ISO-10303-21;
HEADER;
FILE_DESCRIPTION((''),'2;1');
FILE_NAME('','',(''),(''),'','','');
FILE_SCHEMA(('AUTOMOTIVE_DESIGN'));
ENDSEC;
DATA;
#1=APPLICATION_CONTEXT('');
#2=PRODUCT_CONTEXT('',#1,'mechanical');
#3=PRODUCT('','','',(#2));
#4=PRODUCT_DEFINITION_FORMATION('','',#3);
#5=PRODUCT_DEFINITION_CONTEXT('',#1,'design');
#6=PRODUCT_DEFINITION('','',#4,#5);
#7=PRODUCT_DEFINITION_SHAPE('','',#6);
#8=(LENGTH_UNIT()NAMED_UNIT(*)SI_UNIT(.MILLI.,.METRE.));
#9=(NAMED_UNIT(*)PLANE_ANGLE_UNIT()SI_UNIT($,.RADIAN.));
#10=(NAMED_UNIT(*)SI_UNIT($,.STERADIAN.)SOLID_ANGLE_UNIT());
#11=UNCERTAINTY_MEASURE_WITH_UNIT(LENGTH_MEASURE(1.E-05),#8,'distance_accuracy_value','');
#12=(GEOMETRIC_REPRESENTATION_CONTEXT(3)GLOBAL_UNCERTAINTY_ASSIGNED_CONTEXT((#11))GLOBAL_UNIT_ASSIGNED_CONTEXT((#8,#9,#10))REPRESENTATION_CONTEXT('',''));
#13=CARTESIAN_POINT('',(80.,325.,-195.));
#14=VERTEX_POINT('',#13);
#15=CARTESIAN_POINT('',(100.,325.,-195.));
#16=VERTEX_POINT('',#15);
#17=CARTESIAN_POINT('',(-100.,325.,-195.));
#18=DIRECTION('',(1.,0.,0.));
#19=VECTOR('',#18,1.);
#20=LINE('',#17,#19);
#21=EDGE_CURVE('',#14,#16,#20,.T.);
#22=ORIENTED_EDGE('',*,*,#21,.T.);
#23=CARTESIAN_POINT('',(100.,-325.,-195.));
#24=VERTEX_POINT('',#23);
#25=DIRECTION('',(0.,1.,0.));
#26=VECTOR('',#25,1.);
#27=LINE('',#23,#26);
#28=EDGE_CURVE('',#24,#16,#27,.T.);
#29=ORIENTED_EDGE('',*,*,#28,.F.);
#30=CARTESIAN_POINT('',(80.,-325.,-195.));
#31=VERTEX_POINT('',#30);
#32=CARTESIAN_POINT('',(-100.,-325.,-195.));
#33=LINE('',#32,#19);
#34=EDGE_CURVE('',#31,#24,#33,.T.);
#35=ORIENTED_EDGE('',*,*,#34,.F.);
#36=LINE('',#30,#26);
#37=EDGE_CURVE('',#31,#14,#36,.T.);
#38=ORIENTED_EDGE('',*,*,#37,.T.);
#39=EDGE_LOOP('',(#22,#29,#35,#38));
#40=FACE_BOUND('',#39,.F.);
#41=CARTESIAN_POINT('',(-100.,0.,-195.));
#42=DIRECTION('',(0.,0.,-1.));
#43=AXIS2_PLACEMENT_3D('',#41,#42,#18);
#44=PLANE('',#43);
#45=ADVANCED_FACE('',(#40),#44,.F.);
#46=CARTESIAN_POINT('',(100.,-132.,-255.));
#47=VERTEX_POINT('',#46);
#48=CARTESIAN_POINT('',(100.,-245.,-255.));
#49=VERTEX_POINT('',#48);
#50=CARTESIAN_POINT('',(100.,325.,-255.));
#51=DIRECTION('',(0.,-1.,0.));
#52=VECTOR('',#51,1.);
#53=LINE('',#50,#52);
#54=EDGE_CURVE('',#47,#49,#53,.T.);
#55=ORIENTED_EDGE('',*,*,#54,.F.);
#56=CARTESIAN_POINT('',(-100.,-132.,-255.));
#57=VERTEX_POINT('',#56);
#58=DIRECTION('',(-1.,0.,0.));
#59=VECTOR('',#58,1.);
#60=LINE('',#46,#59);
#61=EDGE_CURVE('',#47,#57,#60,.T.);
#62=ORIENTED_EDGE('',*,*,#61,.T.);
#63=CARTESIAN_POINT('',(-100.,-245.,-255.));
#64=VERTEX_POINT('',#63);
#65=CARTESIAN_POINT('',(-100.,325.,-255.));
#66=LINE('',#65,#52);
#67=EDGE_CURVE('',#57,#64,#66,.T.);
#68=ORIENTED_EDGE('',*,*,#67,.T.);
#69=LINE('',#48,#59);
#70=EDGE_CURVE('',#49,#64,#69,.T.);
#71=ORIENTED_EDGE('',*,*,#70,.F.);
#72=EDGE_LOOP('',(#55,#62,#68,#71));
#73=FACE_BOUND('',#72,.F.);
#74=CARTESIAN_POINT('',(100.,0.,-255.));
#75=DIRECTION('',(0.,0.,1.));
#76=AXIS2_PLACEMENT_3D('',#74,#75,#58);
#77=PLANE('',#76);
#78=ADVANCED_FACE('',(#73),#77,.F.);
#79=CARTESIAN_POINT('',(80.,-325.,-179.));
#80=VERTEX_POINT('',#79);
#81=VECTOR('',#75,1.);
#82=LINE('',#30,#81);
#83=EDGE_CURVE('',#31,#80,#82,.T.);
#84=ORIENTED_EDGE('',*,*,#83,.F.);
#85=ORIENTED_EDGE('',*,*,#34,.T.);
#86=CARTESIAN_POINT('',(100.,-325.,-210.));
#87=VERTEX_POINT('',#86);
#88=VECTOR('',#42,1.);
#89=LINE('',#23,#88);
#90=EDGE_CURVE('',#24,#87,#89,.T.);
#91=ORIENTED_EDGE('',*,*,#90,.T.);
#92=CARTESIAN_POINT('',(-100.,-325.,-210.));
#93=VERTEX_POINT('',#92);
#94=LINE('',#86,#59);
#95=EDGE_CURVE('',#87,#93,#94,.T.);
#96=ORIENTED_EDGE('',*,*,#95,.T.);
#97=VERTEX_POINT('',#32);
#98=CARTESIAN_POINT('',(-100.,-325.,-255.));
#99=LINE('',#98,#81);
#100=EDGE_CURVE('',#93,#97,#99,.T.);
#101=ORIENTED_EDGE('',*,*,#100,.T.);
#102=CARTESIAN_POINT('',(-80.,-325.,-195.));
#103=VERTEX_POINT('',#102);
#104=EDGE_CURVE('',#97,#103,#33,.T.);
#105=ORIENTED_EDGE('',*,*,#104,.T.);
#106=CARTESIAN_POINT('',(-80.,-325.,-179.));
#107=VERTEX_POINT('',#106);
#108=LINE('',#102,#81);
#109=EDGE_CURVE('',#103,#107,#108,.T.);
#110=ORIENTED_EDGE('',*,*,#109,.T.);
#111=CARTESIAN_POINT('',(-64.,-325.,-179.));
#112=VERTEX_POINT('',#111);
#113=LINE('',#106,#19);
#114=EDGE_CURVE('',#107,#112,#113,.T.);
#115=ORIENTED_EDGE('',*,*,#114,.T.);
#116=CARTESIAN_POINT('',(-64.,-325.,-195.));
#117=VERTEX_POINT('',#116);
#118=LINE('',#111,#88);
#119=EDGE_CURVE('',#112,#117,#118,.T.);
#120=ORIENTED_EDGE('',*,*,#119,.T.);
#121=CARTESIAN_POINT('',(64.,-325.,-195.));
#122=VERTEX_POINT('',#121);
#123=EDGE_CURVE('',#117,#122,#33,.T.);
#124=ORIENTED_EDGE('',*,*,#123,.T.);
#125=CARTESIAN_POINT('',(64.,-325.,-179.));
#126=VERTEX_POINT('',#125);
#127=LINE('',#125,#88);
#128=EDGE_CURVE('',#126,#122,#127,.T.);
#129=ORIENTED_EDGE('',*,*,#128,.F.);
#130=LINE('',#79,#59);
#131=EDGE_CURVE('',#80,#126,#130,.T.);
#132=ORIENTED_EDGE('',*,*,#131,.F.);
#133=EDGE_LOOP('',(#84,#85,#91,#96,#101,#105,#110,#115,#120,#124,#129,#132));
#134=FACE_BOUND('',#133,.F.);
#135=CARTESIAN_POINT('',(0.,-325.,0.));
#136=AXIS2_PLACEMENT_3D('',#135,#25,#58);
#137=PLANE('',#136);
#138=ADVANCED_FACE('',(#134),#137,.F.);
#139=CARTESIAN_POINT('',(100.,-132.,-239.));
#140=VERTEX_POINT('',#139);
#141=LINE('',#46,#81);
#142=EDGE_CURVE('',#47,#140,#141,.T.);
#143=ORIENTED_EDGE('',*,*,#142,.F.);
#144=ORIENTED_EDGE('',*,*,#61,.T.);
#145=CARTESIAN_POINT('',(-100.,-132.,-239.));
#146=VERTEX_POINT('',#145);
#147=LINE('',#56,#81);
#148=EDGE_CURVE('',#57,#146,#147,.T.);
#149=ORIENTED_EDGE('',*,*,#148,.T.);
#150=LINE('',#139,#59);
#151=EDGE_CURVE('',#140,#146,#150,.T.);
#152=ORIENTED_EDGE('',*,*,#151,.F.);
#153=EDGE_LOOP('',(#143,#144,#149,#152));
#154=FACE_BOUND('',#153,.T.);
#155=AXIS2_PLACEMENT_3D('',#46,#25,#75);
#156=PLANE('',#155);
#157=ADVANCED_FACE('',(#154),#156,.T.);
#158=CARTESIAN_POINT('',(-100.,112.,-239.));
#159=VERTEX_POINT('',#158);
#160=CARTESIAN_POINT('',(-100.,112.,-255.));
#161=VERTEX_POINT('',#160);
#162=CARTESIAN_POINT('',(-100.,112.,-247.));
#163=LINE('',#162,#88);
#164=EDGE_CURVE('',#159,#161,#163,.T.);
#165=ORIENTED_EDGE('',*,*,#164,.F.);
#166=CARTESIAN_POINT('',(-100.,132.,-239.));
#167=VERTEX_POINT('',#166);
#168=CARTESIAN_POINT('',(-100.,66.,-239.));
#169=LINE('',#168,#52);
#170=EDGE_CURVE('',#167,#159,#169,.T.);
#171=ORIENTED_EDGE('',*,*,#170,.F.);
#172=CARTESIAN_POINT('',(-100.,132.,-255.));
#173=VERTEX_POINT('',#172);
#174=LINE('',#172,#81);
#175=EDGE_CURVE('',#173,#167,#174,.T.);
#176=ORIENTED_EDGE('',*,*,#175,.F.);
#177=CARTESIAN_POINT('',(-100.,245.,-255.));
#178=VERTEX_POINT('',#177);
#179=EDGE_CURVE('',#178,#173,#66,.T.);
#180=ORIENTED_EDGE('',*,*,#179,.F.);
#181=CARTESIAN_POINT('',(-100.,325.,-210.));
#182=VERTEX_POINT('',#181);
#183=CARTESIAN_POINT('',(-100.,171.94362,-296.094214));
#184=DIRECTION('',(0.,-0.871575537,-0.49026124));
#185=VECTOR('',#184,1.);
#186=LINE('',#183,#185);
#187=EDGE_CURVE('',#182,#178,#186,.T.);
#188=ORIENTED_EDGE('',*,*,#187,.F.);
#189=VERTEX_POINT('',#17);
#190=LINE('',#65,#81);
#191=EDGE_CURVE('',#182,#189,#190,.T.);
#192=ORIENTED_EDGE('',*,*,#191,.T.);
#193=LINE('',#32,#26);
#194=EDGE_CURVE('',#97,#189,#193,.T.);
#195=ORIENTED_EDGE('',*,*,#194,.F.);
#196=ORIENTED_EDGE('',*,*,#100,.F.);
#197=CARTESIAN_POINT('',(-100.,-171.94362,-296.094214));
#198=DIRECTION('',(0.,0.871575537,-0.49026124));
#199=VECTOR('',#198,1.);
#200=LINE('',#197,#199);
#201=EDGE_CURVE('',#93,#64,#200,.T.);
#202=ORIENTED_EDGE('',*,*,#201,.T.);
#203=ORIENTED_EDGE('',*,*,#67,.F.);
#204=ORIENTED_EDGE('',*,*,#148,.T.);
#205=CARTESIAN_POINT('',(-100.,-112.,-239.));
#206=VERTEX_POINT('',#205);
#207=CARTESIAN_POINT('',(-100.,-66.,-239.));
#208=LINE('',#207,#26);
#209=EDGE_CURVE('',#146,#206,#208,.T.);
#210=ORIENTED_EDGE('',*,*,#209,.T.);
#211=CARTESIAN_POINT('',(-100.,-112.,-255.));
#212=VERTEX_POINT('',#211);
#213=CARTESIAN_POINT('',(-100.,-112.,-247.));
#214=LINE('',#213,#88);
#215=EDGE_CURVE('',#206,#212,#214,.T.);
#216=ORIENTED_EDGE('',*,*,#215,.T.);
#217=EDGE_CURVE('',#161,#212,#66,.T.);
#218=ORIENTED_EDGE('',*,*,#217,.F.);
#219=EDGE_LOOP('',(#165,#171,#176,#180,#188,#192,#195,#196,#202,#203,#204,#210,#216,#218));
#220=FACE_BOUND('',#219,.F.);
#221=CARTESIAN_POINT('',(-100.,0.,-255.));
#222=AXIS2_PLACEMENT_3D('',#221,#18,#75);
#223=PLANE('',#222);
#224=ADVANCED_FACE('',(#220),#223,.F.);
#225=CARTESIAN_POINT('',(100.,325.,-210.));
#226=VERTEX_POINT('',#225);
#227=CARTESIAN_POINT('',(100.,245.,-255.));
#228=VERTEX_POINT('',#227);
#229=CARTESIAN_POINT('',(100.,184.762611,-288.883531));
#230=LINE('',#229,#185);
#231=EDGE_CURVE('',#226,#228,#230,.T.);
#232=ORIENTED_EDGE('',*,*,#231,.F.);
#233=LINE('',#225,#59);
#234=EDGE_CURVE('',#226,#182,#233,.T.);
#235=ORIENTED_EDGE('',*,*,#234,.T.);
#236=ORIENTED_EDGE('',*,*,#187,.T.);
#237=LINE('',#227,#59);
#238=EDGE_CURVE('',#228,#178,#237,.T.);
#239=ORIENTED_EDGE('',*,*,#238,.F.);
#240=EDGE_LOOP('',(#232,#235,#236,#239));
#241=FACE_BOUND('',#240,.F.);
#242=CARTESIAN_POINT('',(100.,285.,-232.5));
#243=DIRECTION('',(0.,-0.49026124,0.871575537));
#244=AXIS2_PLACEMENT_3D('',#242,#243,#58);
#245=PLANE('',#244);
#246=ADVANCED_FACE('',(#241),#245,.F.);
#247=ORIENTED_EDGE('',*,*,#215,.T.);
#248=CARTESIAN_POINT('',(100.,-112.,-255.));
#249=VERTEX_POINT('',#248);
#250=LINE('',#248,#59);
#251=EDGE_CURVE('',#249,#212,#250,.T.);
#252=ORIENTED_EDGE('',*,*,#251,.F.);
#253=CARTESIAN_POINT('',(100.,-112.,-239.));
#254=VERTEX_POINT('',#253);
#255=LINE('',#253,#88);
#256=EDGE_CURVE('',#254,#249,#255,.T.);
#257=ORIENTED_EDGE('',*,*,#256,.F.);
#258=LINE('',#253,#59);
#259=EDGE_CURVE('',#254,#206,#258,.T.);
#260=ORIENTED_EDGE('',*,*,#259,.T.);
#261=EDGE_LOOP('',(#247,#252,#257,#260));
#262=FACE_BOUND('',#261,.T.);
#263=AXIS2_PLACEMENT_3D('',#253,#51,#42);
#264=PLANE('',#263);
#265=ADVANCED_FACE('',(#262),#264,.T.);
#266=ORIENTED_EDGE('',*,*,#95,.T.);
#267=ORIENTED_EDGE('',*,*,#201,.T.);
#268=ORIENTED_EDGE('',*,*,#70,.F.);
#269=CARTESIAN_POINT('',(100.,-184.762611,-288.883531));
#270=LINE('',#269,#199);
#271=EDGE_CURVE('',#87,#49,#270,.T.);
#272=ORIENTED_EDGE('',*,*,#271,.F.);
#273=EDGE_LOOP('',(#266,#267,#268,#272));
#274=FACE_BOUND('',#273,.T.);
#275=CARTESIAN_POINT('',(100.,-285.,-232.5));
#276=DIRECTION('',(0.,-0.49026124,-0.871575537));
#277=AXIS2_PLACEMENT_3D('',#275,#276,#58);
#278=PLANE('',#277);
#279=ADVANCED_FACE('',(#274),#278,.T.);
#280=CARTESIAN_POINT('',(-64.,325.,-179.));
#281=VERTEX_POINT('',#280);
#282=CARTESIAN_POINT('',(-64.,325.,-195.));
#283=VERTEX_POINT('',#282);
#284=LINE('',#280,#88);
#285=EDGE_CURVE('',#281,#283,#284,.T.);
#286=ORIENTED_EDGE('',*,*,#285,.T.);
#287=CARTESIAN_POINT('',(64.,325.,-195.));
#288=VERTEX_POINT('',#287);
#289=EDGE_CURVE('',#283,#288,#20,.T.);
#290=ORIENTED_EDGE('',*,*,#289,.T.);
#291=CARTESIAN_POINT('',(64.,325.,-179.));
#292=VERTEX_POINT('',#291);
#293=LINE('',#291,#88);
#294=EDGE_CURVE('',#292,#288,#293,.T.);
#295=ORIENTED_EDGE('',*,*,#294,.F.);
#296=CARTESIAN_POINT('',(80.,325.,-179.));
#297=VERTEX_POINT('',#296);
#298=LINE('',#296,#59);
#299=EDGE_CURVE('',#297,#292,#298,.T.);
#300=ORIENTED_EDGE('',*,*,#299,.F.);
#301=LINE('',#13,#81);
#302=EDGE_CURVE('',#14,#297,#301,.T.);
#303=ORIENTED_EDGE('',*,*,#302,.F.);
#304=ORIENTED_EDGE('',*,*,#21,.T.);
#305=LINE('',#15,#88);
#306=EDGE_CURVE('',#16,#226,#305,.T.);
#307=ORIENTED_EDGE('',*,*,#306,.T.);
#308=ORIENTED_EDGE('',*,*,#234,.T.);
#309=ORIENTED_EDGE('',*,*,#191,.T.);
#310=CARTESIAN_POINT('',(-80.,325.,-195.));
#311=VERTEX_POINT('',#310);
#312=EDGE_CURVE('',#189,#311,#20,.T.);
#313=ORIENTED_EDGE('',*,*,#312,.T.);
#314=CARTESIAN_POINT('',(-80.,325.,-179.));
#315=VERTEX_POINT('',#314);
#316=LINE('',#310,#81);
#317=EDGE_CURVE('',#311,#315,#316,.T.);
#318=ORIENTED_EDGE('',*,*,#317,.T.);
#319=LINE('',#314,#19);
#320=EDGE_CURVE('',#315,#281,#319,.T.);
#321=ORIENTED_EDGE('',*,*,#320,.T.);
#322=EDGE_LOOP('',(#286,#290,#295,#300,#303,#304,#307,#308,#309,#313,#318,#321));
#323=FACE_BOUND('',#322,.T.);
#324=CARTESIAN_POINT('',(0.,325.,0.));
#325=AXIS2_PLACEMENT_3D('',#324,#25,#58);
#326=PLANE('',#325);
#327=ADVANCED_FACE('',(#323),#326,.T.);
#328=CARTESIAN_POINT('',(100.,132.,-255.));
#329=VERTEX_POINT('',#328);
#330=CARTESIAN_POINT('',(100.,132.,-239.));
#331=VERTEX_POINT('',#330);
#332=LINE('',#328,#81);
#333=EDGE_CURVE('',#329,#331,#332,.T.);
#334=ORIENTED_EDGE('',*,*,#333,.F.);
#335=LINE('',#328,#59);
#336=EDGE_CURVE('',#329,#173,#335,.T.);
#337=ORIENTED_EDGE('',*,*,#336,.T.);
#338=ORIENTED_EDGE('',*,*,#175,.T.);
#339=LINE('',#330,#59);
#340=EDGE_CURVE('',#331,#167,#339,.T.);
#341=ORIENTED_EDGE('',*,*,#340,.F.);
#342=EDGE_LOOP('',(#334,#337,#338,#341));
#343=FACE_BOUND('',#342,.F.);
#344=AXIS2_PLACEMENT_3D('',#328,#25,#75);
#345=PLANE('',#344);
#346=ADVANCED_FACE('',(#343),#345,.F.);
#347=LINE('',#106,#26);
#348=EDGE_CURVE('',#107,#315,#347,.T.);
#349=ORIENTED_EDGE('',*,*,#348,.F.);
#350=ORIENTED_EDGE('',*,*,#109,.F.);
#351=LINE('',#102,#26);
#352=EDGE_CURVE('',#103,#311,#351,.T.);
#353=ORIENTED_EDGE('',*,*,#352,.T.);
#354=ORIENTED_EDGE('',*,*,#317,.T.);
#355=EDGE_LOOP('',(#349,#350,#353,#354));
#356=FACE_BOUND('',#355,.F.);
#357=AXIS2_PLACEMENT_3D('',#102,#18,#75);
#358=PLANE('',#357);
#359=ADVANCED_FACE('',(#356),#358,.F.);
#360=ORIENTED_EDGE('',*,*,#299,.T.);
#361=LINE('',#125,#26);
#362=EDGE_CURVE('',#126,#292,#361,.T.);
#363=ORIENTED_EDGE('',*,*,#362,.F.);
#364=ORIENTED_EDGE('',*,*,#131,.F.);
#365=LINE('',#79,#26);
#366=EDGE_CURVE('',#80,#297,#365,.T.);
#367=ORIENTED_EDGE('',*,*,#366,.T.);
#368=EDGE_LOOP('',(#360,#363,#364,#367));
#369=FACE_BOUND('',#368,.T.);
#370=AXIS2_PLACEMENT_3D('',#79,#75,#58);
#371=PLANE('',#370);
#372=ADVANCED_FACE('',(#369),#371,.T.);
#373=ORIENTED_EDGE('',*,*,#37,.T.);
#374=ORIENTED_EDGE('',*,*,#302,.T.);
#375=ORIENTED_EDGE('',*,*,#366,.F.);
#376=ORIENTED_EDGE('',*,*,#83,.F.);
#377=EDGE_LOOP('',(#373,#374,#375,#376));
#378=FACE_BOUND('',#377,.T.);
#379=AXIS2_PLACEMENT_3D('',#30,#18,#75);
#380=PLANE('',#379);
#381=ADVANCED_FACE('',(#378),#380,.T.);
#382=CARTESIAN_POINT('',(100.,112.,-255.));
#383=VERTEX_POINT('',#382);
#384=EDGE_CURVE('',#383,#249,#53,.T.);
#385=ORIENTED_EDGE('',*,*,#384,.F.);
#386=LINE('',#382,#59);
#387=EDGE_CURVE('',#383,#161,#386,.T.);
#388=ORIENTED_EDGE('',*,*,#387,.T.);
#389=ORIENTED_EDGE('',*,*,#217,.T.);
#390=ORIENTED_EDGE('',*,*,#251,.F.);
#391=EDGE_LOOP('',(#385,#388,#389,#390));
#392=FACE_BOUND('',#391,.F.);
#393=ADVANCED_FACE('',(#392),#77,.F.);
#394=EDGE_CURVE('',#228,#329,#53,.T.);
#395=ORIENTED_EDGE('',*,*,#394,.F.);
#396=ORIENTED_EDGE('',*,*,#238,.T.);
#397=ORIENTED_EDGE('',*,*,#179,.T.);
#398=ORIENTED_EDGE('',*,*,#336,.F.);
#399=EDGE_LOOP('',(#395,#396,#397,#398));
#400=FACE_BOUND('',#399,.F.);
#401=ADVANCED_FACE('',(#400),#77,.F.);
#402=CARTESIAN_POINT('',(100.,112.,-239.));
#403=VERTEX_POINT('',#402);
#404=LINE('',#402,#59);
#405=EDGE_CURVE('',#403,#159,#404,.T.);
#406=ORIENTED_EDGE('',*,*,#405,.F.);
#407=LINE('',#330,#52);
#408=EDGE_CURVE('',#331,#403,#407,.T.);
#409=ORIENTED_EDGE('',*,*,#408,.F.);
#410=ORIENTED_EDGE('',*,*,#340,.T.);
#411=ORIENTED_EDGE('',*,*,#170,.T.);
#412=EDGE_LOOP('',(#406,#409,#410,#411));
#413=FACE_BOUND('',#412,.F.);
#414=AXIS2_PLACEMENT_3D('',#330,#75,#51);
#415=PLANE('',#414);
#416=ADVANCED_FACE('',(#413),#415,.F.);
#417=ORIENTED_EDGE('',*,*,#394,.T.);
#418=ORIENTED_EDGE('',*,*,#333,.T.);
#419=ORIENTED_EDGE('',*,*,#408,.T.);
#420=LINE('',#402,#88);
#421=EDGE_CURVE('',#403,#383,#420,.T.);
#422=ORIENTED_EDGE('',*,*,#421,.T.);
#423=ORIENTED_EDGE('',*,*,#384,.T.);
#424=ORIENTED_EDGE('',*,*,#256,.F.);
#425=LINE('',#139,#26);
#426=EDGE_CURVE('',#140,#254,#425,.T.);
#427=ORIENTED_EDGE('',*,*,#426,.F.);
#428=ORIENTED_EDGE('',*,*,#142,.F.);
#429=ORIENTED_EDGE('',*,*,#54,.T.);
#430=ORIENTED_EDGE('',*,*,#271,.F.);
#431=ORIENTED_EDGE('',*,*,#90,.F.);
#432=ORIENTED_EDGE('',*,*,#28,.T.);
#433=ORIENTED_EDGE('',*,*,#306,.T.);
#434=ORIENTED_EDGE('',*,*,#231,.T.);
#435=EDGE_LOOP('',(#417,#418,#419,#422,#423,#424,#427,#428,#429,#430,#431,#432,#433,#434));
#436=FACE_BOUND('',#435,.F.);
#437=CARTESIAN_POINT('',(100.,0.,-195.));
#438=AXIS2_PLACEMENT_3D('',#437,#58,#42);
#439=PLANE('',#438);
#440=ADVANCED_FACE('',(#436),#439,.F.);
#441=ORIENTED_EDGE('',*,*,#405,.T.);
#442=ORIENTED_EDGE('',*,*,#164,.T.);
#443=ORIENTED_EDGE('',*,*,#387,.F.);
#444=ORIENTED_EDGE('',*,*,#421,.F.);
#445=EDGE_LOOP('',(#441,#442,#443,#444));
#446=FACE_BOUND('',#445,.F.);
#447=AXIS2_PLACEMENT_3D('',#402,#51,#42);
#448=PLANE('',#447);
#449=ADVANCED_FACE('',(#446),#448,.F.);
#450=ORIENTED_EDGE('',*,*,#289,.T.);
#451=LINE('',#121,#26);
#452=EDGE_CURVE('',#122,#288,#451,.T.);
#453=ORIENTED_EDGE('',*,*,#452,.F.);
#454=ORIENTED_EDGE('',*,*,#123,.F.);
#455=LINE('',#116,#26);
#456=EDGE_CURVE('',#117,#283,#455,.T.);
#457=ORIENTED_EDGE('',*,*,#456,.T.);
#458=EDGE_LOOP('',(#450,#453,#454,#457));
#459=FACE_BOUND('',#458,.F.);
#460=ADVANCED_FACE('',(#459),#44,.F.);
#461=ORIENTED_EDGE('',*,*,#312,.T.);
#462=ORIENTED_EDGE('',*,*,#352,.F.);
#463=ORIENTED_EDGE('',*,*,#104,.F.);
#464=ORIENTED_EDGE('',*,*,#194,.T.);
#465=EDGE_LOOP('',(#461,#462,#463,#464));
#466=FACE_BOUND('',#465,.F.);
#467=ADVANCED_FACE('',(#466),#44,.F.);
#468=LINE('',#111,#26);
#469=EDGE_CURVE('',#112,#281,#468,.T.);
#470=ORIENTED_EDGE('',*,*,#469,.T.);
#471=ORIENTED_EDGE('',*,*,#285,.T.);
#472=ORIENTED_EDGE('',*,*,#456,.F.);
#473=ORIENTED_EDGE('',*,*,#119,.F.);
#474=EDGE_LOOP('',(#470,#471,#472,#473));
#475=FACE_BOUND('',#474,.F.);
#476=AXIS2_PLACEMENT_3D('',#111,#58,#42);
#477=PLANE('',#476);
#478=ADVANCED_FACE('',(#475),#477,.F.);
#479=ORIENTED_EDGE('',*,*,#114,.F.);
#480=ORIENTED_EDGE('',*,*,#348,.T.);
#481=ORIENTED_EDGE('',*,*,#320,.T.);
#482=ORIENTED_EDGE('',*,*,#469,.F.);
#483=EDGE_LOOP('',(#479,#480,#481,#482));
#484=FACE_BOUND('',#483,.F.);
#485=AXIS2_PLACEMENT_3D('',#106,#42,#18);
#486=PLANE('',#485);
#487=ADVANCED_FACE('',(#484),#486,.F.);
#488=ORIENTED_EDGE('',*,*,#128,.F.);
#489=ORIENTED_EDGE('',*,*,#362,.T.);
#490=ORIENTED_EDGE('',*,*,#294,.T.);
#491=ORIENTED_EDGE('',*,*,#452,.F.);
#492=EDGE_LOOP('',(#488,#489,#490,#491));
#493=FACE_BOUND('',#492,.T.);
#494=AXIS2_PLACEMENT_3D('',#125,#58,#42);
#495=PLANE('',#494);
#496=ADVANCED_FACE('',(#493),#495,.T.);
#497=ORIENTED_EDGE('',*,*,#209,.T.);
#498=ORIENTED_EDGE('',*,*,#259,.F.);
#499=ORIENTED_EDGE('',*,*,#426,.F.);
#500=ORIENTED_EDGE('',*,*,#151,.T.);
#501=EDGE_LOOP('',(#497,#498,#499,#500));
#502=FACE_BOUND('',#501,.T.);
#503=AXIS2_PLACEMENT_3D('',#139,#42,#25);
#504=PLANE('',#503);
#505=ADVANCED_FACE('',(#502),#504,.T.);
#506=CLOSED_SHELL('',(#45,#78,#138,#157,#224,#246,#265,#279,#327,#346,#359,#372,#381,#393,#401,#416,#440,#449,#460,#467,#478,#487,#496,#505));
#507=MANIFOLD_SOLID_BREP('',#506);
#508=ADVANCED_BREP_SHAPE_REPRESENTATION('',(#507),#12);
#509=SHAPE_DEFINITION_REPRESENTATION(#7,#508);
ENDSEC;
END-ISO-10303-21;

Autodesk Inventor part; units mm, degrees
ref_plane "YZ Plane" through (0, 0, 0) normal (1, 0, 0) x (0, 1, 0)
ref_plane "XZ Plane" through (0, 0, 0) normal (0, 1, 0) x (-1, 0, 0)
ref_plane "XY Plane" through (0, 0, 0) normal (0, 0, 1) x (1, 0, 0)
sketch "Sketch1" plane through (0, 0, 0) normal (0, 1, 0) x (-1, 0, 0)
  line L0 (100, -195) -> (-100, -195)
  line L1 (-100, -195) -> (-100, -255)
  line L2 (-100, -255) -> (100, -255)
  line L3 (100, -255) -> (100, -195)
  line L4 (0, 66.9735) -> (0, -172.2265)
  point P0 (0, 0)
  dimension "d0" = 200
  dimension "d1" = 60
  dimension "d2" = 195
extrude "Extrusion1" add sketch "Sketch1" along normal mid plane 650
chamfer "Chamfer1" distance 45 distance2 80 1 edges at (0, 325, -255) measured on face at (33.3333, 325, -215)
chamfer "Chamfer2" distance 45 distance2 80 1 edges at (0, -325, -255) measured on face at (33.3333, -325, -215)
sketch "Sketch2" plane through (0, -325, 0) normal (0, -1, 0) x (1, 0, 0)
  line L0 (100, -195) -> (-100, -195) projected
  line L1 (-80, -179) -> (-64, -179)
  line L2 (-64, -179) -> (-64, -195)
  line L3 (-64, -195) -> (-80, -195)
  line L4 (-80, -195) -> (-80, -179)
  line L5 (-100, -195) -> (-100, -210) projected
  line L6 (0, 0) -> (0, -427.5887)
  line L7 (80, -179) -> (64, -179)
  line L8 (64, -179) -> (64, -195)
  line L9 (64, -195) -> (80, -195)
  line L10 (80, -195) -> (80, -179)
  dimension "d11" = 20
  dimension "d12" = 16
  dimension "d13" = 16
extrude "Extrusion2" add sketch "Sketch2" against normal blind 650
sketch "Sketch3" plane through (100, -325, -195) normal (1, 0, 0) x (0, 0, -1)
  line L0 (-195, 325) -> (152.733, 325)
  line L1 (60, 80) -> (60, 570) projected
  line L2 (60, 193) -> (44, 193)
  line L3 (44, 193) -> (44, 213)
  line L4 (44, 213) -> (60, 213)
  line L5 (60, 213) -> (60, 193)
  line L6 (60, 457) -> (44, 457)
  line L7 (44, 457) -> (44, 437)
  line L8 (44, 437) -> (60, 437)
  line L9 (60, 437) -> (60, 457)
  point P0 (60, 437)
  point P1 (60, 213)
  dimension "d16" = 224
  dimension "d17" = 16
  dimension "d18" = 20
extrude "Extrusion3" cut sketch "Sketch3" against normal through all
properties part number "X_axis"
